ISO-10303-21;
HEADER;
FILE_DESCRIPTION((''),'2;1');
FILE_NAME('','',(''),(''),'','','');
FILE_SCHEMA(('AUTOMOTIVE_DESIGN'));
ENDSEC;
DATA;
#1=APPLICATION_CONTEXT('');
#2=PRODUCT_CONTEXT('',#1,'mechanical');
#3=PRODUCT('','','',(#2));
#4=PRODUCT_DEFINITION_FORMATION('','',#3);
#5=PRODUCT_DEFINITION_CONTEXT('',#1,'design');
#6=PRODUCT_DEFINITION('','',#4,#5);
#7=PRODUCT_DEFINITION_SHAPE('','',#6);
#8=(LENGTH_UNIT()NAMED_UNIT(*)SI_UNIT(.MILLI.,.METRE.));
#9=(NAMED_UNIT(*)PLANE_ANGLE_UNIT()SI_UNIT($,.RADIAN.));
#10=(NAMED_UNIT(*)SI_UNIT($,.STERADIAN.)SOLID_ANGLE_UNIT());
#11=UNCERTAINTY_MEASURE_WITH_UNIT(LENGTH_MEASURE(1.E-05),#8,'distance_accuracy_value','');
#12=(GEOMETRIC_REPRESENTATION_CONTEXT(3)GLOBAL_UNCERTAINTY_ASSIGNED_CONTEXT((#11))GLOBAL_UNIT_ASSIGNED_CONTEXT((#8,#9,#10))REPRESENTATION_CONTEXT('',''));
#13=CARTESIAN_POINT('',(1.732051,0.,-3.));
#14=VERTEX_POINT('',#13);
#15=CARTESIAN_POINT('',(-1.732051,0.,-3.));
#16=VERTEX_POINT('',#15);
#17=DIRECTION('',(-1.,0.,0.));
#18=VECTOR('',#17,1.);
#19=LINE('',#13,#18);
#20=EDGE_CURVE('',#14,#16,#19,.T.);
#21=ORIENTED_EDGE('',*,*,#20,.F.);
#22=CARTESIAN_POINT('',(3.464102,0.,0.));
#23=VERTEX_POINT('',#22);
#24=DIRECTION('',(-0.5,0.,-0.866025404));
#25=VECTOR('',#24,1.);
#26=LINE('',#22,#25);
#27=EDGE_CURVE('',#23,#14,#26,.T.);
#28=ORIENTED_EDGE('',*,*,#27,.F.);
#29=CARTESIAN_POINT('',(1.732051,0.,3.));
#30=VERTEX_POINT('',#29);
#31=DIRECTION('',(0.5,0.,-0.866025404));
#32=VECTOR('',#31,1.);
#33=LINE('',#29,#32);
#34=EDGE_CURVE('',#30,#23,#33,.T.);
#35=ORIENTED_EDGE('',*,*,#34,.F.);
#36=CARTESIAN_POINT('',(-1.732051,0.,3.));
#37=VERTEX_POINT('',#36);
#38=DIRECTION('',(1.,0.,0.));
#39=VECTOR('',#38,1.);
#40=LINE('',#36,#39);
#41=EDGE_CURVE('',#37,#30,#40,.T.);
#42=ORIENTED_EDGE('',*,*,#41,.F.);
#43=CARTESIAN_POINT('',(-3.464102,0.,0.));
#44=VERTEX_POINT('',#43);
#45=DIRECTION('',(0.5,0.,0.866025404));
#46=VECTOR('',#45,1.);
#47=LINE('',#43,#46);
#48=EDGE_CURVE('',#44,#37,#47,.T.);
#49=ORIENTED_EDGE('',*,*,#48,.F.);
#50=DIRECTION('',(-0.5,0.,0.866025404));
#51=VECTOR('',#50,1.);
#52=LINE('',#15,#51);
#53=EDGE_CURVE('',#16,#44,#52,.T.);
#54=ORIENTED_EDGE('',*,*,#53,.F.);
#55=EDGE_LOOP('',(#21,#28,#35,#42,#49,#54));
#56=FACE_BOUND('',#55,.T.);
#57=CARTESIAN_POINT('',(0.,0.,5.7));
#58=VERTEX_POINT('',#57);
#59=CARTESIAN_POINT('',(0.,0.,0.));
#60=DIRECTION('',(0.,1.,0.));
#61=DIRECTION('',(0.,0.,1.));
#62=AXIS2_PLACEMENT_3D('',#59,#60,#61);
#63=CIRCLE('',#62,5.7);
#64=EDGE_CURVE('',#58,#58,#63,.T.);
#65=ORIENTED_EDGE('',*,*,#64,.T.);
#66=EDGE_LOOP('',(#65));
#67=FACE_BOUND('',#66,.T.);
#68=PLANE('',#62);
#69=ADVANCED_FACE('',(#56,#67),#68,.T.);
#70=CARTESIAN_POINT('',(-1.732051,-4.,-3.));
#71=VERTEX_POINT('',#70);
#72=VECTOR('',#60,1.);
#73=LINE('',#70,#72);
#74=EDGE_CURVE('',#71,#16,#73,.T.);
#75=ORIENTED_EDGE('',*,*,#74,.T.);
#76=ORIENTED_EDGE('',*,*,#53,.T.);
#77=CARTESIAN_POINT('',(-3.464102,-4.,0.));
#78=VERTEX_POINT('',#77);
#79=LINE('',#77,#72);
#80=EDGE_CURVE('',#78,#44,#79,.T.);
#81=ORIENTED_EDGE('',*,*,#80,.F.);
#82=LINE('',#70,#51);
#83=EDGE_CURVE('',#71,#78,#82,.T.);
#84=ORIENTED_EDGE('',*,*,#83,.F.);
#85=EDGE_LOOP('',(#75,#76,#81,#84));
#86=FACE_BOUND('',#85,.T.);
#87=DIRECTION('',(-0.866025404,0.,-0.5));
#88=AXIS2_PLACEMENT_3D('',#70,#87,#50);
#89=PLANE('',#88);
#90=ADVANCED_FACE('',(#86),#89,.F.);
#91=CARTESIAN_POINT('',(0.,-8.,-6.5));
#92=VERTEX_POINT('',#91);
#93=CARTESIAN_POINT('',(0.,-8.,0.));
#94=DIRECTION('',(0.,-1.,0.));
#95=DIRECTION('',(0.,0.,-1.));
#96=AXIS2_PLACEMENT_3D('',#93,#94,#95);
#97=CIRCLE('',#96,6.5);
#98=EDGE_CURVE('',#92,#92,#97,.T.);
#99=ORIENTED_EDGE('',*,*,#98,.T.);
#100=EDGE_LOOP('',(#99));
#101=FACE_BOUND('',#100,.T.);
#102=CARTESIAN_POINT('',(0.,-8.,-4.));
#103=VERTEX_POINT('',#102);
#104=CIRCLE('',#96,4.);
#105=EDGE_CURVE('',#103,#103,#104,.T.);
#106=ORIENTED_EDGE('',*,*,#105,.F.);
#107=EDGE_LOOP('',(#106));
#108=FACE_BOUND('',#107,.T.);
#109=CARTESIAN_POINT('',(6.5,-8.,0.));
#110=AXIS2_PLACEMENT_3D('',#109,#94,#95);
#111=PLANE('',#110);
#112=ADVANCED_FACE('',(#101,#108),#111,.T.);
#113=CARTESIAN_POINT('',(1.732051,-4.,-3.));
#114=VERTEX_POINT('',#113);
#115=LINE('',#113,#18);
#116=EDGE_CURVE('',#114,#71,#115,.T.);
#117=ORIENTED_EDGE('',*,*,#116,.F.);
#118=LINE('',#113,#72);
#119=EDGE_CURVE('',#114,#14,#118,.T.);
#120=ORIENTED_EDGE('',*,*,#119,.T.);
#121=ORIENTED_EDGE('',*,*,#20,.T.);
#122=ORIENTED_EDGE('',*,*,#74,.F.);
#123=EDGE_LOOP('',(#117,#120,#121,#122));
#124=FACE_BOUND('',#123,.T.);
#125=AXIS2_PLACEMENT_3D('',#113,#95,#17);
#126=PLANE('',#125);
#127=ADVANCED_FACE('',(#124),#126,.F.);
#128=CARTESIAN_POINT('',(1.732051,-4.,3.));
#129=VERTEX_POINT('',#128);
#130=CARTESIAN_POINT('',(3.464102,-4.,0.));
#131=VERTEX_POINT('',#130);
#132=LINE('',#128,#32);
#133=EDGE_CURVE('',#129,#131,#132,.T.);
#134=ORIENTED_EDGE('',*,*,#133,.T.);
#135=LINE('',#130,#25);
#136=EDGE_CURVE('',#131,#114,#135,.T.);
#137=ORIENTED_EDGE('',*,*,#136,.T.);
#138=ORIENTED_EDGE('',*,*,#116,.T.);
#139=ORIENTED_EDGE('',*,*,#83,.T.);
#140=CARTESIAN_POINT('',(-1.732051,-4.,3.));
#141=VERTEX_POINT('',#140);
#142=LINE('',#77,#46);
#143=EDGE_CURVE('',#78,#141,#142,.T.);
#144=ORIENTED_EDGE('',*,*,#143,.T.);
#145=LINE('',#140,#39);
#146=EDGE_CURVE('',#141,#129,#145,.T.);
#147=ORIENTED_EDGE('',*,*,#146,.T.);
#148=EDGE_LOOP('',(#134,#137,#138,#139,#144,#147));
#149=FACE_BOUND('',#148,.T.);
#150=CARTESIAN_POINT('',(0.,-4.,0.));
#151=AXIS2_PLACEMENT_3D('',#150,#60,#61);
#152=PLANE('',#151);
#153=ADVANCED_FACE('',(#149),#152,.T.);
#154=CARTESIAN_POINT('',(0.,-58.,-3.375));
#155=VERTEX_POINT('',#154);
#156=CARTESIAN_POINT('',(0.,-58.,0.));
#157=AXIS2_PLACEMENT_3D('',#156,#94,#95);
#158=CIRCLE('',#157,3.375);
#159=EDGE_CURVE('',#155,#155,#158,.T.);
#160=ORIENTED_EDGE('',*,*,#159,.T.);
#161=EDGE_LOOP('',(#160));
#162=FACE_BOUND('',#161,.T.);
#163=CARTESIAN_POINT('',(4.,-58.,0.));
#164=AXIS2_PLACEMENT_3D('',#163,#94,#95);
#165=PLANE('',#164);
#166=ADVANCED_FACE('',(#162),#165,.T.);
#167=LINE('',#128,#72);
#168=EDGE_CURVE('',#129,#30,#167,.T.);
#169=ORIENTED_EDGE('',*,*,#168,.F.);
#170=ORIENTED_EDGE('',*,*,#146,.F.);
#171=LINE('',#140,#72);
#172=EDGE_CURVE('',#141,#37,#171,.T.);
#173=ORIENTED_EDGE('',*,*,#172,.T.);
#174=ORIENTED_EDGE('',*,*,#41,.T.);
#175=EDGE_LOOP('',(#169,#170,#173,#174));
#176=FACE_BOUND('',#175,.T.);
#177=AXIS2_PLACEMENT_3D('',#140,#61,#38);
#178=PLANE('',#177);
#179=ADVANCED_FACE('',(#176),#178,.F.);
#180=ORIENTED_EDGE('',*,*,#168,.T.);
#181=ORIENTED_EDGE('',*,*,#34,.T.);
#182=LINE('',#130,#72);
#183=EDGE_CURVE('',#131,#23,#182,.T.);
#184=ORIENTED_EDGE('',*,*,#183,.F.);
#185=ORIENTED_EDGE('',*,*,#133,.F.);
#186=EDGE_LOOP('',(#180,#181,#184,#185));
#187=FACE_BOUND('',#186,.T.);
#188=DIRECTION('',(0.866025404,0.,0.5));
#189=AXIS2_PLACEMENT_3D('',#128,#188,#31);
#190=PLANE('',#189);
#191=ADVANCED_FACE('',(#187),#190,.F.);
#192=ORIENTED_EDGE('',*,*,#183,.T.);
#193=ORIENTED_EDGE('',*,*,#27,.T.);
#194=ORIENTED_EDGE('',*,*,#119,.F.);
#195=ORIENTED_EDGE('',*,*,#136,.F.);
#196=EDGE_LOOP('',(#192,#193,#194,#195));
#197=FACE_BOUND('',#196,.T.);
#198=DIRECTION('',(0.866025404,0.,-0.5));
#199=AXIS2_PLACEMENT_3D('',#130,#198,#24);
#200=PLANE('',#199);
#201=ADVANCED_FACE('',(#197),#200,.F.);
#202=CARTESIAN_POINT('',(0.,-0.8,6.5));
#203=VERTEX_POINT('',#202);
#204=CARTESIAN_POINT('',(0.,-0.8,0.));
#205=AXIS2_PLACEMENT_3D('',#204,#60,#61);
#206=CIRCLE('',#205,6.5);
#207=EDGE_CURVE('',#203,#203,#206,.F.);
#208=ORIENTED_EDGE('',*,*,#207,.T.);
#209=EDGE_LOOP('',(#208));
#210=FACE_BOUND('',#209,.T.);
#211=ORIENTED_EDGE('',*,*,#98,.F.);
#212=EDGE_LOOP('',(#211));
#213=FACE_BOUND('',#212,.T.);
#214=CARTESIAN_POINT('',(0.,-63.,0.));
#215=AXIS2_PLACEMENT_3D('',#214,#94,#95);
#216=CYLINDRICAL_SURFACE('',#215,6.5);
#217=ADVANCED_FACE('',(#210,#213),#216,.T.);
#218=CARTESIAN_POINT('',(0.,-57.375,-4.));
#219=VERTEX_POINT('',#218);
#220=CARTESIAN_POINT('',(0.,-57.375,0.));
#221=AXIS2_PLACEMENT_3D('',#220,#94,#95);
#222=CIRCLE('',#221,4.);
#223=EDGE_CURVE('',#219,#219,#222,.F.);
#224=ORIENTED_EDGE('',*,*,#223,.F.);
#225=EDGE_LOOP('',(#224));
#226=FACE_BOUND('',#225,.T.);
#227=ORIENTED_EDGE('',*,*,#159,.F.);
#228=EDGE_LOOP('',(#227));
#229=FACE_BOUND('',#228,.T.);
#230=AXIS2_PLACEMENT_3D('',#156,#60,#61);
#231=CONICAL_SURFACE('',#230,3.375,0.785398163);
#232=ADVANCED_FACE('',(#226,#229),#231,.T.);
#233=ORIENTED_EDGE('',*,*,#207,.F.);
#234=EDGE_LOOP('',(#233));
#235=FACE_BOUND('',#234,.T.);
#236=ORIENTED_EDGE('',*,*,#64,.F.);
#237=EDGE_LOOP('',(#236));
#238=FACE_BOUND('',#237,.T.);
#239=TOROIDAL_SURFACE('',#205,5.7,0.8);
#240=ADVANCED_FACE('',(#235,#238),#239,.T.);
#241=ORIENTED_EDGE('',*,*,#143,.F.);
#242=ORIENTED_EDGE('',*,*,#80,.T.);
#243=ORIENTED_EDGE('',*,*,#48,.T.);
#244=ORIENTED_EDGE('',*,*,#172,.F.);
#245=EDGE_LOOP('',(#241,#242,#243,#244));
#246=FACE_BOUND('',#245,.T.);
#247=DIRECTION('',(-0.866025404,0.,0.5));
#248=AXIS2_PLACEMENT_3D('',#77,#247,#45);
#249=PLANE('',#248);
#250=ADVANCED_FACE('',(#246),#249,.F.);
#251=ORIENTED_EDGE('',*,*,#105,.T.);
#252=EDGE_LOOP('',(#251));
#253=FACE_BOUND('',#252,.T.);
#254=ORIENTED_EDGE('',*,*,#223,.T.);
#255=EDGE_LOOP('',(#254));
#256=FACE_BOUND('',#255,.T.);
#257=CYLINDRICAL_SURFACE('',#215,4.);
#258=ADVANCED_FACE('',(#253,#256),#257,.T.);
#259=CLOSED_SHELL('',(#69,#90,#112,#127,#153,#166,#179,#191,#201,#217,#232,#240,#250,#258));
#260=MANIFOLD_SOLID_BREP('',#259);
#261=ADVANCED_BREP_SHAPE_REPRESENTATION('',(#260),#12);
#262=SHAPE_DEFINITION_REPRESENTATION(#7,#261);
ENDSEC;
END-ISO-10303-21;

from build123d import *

# Parameters (mm, degrees)
CUT_EXTRUDE1_DEPTH = 4
FILLET3_R          = 0.8
CHAMFER1_SIZE      = 0.625


with BuildPart() as part:
    # Sketch1 → Revolve1 (revolve)
    with BuildSketch(Plane.XY, mode=Mode.PRIVATE) as revolve1_sk:
        Polygon((0, 0), (6.5, 0), (6.5, -8), (4, -8), (4, -58), (0, -58), align=None)
    revolve(revolve1_sk.sketch.rotate(Axis((0, -63, 0), (0, 1, 0)), 90), axis=Axis((0, -63, 0), (0, 1, 0)))

    # Sketch2 → Cut-Extrude1 (cut)
    with BuildSketch(Plane(origin=(0, 0, 0), x_dir=(1, 0, 0), z_dir=(0, 1, 0))):
        Polygon((3.464101615, 0), (1.732050808, 3), (-1.732050808, 3), (-3.464101615, 0), (-1.732050808, -3), (1.732050808, -3), align=None)
    extrude(amount=-CUT_EXTRUDE1_DEPTH, mode=Mode.SUBTRACT)

    # Fillet3
    fillet3_edges = [part.edges().sort_by_distance(p)[0] for p in [
        (0, 0, 6.5),
    ]]
    fillet(fillet3_edges, radius=FILLET3_R)

    # Chamfer1
    chamfer1_edges = [part.edges().sort_by_distance(p)[0] for p in [
        (0, -58, 4),
    ]]
    chamfer(chamfer1_edges, length=CHAMFER1_SIZE)


solid = part.part
